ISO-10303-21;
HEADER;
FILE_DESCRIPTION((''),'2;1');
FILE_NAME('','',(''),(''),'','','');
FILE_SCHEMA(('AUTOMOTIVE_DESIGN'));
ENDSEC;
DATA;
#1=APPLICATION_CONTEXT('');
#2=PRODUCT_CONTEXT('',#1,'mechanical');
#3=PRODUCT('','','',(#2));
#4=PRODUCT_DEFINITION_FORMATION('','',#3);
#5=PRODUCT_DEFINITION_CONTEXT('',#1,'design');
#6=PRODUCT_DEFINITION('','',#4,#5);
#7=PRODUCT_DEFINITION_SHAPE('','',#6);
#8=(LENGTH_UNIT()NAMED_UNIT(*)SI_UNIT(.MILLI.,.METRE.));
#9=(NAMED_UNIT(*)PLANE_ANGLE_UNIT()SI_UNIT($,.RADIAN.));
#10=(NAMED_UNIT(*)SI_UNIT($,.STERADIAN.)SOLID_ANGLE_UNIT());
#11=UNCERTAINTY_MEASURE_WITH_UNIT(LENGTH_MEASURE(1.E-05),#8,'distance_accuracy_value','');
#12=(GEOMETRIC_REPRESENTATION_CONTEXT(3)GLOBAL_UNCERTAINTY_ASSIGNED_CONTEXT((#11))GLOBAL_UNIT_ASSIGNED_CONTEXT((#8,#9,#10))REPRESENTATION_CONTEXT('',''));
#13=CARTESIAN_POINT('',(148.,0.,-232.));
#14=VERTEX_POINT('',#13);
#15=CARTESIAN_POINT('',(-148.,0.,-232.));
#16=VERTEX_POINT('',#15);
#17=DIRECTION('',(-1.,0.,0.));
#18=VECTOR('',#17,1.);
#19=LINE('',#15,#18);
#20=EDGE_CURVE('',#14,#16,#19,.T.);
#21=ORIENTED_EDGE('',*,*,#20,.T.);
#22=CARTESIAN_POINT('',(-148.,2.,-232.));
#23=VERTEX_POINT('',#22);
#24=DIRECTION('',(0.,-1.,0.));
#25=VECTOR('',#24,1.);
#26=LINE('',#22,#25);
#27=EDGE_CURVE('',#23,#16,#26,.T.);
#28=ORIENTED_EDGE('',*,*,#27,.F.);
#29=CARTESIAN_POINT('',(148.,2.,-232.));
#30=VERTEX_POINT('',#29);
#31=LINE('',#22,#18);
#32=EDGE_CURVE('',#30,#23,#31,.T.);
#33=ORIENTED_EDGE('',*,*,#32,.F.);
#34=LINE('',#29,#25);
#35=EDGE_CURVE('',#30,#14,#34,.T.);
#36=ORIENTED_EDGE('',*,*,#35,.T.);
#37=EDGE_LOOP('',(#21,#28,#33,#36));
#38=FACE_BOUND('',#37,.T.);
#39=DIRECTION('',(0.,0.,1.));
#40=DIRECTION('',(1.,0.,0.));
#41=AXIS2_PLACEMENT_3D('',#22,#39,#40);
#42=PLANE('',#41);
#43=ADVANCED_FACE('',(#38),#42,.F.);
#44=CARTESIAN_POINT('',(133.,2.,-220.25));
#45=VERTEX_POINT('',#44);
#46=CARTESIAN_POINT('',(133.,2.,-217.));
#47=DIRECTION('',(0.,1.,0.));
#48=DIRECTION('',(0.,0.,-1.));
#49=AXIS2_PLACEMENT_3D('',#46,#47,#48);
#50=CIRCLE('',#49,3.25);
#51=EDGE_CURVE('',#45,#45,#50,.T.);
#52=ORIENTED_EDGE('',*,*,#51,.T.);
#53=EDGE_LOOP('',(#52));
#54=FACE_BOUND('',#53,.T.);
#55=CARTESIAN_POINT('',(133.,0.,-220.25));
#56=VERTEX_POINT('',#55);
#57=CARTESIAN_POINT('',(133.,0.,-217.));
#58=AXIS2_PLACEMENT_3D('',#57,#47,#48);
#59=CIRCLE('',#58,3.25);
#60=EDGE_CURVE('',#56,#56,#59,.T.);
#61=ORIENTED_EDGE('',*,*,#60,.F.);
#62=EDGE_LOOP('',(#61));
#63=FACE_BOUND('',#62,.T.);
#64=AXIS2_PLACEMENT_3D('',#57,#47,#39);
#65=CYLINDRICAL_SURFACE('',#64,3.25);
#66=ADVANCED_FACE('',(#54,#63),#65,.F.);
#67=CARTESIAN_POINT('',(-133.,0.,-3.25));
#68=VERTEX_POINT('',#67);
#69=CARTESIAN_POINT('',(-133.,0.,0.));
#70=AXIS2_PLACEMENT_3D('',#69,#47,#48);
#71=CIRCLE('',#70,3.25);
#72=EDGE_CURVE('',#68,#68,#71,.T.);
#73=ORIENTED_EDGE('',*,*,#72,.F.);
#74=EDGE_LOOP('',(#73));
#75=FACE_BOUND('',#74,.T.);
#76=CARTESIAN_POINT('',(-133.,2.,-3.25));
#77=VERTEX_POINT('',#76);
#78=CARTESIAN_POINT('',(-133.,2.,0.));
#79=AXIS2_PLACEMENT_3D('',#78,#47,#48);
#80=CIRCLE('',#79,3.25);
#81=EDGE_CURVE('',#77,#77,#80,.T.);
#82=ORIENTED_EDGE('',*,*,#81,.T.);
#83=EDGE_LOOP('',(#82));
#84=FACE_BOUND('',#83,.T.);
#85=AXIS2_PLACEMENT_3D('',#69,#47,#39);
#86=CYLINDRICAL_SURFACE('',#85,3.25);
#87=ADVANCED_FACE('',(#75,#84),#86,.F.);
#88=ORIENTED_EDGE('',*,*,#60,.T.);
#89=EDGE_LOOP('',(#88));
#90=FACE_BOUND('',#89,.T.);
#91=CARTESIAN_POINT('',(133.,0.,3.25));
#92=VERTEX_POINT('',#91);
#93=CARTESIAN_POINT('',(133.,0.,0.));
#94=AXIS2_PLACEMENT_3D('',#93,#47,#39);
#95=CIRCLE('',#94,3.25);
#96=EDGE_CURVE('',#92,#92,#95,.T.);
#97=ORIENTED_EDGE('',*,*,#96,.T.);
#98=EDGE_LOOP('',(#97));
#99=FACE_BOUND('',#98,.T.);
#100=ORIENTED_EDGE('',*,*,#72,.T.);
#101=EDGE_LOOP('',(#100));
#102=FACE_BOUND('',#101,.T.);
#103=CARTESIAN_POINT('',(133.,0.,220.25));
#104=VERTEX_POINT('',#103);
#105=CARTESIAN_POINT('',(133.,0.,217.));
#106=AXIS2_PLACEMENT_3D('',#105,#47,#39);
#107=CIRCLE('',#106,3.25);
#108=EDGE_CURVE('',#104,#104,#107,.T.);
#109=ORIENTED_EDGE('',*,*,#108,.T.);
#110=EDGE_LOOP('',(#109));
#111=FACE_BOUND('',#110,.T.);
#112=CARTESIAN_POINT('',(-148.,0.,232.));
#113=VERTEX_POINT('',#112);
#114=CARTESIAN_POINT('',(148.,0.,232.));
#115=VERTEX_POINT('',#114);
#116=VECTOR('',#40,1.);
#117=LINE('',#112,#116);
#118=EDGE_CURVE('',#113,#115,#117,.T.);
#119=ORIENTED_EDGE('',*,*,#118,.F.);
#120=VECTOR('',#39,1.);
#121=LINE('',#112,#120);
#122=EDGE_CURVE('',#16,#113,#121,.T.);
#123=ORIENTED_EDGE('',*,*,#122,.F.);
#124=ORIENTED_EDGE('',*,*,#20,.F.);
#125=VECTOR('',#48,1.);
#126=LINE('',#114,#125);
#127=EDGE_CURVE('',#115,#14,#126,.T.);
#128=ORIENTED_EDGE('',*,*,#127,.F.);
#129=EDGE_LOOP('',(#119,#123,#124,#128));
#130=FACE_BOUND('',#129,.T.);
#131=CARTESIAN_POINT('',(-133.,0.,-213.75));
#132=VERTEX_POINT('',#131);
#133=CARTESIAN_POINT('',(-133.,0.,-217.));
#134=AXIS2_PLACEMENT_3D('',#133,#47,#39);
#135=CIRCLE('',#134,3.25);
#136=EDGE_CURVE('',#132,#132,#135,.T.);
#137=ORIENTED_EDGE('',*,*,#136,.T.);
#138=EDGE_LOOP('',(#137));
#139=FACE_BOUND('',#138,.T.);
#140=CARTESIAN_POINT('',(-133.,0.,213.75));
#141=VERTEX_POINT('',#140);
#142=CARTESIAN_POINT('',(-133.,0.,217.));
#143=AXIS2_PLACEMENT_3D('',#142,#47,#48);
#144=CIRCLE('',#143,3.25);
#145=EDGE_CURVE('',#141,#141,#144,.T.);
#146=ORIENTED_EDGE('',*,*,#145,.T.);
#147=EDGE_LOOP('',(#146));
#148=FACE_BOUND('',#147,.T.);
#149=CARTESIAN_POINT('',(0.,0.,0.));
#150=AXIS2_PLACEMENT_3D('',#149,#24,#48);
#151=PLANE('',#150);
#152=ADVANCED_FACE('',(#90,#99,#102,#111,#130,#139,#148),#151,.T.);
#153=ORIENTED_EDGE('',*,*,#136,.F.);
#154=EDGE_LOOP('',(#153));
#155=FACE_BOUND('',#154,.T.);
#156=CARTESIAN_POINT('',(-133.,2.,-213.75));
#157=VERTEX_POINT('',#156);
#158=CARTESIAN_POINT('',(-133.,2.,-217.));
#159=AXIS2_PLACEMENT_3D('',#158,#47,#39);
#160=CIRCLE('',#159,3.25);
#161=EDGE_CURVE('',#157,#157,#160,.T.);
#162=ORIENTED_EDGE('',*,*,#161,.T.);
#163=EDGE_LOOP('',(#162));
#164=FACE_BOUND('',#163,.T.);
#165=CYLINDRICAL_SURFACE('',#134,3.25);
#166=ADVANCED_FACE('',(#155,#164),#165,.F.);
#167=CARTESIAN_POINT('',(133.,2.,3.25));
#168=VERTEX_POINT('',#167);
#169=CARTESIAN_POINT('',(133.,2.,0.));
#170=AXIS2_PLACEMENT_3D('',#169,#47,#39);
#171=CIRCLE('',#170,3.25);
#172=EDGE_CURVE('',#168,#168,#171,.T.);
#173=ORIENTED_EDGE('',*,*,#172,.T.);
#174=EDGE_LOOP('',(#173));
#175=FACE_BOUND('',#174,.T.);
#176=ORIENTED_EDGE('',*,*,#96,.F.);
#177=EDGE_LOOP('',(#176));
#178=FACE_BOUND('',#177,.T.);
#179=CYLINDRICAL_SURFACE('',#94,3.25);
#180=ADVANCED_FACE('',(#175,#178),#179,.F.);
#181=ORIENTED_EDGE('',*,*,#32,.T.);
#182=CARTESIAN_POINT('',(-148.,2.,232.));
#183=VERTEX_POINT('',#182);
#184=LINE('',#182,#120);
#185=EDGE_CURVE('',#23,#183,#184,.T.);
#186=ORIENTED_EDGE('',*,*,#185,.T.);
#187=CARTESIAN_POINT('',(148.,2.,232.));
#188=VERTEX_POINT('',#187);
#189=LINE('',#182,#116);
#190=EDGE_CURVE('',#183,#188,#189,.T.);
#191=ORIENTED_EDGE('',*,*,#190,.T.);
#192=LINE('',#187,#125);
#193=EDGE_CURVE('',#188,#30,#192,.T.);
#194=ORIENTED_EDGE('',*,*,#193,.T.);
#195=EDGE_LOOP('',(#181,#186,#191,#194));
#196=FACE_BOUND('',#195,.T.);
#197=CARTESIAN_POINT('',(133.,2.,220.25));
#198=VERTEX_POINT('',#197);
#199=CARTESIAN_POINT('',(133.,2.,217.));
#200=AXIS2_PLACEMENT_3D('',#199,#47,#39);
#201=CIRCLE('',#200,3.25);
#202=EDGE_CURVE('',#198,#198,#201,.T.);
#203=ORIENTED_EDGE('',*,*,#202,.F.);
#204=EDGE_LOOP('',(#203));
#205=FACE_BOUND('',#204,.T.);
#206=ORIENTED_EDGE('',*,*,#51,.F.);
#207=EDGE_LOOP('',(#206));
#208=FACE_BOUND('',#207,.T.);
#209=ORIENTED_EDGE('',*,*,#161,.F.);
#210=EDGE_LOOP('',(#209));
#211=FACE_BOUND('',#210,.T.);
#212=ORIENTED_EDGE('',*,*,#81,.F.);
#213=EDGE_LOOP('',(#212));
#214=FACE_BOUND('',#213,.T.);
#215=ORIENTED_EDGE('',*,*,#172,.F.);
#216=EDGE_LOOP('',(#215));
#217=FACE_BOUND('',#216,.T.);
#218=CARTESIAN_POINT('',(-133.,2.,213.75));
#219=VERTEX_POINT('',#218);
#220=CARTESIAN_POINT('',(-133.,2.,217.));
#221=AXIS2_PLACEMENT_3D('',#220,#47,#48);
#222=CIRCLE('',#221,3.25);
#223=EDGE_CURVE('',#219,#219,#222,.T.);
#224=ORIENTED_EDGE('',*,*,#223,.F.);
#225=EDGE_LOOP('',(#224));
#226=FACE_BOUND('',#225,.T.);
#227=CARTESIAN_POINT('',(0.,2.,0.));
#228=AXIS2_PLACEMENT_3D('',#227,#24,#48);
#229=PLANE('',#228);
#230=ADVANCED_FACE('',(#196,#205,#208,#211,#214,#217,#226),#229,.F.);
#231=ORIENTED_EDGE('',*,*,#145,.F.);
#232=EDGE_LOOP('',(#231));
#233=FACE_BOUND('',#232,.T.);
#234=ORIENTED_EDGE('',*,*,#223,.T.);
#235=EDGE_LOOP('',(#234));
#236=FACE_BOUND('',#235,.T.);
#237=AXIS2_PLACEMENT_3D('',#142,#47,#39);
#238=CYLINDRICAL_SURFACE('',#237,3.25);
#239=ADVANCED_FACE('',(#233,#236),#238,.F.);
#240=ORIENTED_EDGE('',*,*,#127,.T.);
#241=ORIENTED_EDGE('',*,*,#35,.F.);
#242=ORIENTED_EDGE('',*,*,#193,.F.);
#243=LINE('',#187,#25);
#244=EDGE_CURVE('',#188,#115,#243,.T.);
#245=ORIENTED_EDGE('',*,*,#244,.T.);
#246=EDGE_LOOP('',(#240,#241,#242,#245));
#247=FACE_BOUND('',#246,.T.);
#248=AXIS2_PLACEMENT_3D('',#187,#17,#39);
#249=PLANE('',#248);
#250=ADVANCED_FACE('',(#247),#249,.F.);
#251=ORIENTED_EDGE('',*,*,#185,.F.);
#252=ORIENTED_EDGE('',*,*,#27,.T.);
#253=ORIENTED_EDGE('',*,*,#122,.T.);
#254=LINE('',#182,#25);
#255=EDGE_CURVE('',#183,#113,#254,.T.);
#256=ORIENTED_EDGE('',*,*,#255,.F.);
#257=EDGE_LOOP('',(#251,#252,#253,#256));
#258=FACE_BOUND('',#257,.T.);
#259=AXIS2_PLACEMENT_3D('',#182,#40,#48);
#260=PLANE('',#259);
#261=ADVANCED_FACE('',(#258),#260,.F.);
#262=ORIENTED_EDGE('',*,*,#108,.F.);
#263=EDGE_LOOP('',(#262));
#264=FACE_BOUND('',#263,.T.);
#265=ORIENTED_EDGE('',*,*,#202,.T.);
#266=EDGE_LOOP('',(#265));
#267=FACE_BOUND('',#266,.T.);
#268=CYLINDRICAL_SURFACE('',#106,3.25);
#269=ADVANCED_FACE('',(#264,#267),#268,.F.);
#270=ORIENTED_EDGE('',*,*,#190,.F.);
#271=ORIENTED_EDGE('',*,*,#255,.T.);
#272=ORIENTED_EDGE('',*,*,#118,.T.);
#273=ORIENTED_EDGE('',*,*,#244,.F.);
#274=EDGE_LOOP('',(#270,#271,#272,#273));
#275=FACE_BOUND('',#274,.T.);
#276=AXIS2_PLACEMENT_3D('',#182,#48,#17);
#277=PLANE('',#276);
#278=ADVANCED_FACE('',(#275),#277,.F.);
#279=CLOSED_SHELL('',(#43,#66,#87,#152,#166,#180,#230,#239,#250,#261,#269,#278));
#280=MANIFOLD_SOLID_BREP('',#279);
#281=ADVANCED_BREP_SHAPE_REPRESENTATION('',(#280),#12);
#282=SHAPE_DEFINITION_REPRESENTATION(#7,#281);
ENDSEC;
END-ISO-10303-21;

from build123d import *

# Parameters (mm, degrees)
SKETCH1_W           = 296
SKETCH1_H           = 464
BOSS_EXTRUDE1_DEPTH = 2
SKETCH2_R           = 3.25
CUT_EXTRUDE1_DEPTH  = 2


with BuildPart() as part:
    # Sketch1 → Boss-Extrude1 (new body)
    with BuildSketch(Plane(origin=(0, 0, 0), x_dir=(1, 0, 0), z_dir=(0, 1, 0))):
        Rectangle(SKETCH1_W, SKETCH1_H)
    extrude(amount=BOSS_EXTRUDE1_DEPTH)

    # Sketch2 → Cut-Extrude1 (cut)
    with BuildSketch(Plane(origin=(0, 2, 0), x_dir=(1, 0, 0), z_dir=(0, 1, 0))):
        with Locations(Location((-133, 217, 0), (0, 0, 270))):
            Circle(SKETCH2_R)
        with Locations(Location((133, 217, 0), (0, 0, 90))):
            Circle(SKETCH2_R)
        with Locations(Location((-133, -217, 0), (0, 0, 90))):
            Circle(SKETCH2_R)
        with Locations(Location((133, -217, 0), (0, 0, 270))):
            Circle(SKETCH2_R)
        with Locations(Location((133, 0, 0), (0, 0, 270))):
            Circle(SKETCH2_R)
        with Locations(Location((-133, 0, 0), (0, 0, 90))):
            Circle(SKETCH2_R)
    extrude(amount=-CUT_EXTRUDE1_DEPTH, mode=Mode.SUBTRACT)


solid = part.part
